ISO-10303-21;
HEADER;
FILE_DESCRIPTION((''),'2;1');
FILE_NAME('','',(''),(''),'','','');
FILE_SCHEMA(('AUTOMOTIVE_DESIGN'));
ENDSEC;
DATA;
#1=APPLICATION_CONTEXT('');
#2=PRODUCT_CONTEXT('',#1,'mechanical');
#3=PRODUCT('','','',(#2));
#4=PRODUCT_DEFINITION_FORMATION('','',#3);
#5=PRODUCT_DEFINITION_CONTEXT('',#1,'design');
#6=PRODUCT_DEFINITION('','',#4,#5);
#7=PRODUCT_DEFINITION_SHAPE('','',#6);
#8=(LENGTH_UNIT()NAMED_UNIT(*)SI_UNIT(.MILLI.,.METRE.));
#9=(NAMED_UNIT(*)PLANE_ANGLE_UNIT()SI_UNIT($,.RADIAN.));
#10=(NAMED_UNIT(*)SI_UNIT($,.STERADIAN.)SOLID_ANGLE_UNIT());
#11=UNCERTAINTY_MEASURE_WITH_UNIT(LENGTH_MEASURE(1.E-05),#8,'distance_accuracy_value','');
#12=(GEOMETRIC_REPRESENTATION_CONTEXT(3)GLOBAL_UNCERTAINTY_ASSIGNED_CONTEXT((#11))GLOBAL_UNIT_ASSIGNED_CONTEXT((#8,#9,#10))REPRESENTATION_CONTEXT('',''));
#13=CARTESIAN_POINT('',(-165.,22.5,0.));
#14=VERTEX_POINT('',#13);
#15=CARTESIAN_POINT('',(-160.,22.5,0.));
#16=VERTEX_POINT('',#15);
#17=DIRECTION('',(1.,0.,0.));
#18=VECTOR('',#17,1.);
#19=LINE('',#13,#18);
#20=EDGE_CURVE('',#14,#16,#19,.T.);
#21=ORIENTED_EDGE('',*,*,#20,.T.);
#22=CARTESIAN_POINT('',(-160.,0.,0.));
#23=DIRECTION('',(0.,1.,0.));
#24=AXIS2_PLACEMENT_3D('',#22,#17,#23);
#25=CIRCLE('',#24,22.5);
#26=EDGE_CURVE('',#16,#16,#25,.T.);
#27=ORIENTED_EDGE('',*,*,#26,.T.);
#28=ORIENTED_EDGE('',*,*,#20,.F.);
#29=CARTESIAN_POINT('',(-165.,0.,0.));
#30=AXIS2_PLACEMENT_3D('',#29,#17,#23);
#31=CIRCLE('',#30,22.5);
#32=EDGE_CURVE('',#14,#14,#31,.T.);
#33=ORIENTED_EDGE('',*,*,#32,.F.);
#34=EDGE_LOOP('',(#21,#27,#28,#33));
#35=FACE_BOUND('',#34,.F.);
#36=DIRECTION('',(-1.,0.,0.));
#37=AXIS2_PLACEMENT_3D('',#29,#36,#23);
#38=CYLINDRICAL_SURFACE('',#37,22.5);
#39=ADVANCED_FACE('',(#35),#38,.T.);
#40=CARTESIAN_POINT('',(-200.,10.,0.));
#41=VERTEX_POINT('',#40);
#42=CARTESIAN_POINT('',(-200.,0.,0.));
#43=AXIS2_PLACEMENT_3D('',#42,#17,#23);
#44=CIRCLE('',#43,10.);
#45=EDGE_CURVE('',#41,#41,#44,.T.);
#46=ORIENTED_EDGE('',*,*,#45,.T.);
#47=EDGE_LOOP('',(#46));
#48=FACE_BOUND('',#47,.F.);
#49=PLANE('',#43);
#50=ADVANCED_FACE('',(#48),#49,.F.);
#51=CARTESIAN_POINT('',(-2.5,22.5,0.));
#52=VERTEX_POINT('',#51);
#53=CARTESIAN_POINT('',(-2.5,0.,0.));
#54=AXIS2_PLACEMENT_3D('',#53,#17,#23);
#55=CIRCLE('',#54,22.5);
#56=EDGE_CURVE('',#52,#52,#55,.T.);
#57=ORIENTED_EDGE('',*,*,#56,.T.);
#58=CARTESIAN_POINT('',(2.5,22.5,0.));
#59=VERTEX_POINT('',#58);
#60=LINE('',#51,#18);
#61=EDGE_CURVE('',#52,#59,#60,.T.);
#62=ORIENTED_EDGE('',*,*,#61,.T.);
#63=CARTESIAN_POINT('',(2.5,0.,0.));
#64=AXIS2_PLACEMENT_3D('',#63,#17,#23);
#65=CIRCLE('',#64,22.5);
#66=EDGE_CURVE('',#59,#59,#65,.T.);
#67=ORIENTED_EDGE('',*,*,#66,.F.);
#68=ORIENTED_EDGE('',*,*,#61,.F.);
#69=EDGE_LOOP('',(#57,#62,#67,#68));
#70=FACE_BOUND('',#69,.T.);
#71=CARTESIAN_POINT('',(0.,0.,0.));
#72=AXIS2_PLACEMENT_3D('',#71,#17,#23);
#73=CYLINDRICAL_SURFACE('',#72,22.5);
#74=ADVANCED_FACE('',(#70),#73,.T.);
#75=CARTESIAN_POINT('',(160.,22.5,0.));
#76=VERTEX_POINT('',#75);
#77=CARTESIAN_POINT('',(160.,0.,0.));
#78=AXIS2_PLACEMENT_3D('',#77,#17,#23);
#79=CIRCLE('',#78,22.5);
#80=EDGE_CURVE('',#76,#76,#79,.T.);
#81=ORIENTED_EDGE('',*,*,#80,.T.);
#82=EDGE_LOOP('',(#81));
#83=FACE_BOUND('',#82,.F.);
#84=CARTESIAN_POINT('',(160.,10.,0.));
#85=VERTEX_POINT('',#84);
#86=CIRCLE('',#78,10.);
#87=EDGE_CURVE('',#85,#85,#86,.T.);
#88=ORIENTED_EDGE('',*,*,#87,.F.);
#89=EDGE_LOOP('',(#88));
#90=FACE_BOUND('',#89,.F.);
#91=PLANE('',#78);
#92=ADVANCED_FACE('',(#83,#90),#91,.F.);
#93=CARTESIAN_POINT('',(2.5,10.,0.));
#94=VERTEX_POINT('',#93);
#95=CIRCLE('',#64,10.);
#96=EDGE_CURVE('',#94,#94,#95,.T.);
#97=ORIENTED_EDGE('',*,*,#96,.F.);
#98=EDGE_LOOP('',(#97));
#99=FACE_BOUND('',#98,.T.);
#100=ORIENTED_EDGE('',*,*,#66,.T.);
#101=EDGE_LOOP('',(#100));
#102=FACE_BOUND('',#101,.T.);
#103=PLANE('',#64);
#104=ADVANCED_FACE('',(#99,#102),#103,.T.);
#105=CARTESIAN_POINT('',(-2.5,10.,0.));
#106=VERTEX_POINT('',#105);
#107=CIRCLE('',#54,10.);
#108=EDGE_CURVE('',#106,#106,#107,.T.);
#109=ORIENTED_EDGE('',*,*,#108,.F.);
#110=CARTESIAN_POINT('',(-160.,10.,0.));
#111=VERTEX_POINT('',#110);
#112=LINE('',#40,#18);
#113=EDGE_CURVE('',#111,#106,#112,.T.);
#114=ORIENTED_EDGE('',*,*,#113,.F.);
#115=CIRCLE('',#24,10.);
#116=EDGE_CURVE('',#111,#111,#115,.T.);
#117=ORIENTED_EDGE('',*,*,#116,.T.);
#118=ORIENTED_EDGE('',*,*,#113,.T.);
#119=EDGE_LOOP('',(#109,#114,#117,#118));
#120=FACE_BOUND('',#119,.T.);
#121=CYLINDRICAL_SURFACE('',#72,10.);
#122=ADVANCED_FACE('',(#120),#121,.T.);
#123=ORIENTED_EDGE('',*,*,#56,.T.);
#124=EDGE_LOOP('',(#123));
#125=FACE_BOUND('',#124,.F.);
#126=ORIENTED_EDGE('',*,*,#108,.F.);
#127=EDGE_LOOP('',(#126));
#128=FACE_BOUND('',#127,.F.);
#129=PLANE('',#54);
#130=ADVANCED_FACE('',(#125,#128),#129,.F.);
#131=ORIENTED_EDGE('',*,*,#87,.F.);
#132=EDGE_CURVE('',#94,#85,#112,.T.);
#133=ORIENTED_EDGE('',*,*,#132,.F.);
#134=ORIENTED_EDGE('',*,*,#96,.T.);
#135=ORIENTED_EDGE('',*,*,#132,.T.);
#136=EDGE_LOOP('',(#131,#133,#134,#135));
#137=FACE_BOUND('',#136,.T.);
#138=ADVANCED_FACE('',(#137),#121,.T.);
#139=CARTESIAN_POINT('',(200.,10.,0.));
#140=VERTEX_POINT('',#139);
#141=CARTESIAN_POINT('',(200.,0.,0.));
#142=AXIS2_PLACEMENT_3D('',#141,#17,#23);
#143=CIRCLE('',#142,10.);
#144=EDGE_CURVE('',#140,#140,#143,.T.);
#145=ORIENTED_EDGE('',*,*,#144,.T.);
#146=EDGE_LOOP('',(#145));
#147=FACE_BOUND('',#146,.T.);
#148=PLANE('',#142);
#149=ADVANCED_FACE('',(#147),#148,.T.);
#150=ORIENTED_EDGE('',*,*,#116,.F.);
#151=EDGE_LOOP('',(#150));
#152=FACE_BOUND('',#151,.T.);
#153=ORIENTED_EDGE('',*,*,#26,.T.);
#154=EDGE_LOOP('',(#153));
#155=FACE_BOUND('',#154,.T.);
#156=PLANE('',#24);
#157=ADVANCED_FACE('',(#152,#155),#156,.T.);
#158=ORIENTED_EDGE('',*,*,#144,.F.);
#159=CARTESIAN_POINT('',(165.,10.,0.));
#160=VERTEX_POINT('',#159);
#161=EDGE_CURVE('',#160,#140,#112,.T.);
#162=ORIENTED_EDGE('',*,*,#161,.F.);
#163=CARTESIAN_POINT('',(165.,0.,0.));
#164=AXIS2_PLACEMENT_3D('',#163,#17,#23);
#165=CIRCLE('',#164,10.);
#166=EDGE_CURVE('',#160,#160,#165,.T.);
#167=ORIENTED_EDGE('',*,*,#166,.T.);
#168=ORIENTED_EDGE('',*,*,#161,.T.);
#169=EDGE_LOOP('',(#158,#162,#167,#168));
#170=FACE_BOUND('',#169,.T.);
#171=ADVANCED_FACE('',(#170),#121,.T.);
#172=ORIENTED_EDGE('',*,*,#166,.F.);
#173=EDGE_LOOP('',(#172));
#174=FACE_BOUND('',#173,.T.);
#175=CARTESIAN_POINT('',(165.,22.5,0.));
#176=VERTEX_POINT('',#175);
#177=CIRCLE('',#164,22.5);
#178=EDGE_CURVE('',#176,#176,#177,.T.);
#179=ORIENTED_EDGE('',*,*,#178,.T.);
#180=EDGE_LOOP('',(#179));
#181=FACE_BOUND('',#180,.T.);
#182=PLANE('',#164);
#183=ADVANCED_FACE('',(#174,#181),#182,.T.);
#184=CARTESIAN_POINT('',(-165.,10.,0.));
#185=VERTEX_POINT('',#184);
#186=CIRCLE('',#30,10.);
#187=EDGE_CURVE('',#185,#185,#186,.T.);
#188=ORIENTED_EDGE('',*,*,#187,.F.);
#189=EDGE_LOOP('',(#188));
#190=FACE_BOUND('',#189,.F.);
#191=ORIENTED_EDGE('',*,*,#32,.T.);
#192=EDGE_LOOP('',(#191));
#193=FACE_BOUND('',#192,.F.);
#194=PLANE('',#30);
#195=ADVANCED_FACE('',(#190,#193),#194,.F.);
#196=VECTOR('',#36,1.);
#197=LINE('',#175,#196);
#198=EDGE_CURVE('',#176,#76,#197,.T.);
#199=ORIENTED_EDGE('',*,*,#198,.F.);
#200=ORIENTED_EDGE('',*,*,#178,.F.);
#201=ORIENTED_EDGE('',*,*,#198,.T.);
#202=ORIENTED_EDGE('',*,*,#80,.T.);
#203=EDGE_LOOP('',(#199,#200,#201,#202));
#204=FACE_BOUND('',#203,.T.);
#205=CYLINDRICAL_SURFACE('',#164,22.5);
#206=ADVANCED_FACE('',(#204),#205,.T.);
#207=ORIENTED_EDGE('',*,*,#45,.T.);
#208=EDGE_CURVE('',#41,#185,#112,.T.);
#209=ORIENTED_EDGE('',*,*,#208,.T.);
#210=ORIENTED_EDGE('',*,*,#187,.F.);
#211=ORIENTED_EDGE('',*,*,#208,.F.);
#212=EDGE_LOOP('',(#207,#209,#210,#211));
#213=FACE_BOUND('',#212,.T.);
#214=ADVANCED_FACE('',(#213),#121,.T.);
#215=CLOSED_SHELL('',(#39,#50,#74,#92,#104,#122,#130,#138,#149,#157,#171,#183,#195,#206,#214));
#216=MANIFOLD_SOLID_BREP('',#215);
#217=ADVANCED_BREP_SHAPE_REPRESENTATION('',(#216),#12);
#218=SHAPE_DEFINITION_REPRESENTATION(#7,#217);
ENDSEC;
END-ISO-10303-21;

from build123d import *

# Parameters (mm, degrees)
F0_R     = 10
F1_DEPTH = 200
F4_R     = 22.5
F5_DEPTH = 5
F6_R     = 22.5
F7_DEPTH = 5
F8_R     = 22.5
F9_DEPTH = 2.5


with BuildPart() as f1:
    # F0 (on Right) → F1 (new body, symmetric)
    with BuildSketch(Plane.YZ):
        Circle(F0_R)
    extrude(amount=F1_DEPTH, both=True)

    # F4 (on offset) → F5 (join)
    with BuildSketch(Plane.YZ.offset(165)):
        Circle(F4_R)
    extrude(amount=-F5_DEPTH)

    # F6 (on offset) → F7 (join)
    with BuildSketch(Plane.YZ.offset(-165)):
        Circle(F6_R)
    extrude(amount=F7_DEPTH)

    # F8 (on Right) → F9 (join, symmetric)
    with BuildSketch(Plane.YZ):
        Circle(F8_R)
    extrude(amount=F9_DEPTH, both=True)


solid = f1.part
